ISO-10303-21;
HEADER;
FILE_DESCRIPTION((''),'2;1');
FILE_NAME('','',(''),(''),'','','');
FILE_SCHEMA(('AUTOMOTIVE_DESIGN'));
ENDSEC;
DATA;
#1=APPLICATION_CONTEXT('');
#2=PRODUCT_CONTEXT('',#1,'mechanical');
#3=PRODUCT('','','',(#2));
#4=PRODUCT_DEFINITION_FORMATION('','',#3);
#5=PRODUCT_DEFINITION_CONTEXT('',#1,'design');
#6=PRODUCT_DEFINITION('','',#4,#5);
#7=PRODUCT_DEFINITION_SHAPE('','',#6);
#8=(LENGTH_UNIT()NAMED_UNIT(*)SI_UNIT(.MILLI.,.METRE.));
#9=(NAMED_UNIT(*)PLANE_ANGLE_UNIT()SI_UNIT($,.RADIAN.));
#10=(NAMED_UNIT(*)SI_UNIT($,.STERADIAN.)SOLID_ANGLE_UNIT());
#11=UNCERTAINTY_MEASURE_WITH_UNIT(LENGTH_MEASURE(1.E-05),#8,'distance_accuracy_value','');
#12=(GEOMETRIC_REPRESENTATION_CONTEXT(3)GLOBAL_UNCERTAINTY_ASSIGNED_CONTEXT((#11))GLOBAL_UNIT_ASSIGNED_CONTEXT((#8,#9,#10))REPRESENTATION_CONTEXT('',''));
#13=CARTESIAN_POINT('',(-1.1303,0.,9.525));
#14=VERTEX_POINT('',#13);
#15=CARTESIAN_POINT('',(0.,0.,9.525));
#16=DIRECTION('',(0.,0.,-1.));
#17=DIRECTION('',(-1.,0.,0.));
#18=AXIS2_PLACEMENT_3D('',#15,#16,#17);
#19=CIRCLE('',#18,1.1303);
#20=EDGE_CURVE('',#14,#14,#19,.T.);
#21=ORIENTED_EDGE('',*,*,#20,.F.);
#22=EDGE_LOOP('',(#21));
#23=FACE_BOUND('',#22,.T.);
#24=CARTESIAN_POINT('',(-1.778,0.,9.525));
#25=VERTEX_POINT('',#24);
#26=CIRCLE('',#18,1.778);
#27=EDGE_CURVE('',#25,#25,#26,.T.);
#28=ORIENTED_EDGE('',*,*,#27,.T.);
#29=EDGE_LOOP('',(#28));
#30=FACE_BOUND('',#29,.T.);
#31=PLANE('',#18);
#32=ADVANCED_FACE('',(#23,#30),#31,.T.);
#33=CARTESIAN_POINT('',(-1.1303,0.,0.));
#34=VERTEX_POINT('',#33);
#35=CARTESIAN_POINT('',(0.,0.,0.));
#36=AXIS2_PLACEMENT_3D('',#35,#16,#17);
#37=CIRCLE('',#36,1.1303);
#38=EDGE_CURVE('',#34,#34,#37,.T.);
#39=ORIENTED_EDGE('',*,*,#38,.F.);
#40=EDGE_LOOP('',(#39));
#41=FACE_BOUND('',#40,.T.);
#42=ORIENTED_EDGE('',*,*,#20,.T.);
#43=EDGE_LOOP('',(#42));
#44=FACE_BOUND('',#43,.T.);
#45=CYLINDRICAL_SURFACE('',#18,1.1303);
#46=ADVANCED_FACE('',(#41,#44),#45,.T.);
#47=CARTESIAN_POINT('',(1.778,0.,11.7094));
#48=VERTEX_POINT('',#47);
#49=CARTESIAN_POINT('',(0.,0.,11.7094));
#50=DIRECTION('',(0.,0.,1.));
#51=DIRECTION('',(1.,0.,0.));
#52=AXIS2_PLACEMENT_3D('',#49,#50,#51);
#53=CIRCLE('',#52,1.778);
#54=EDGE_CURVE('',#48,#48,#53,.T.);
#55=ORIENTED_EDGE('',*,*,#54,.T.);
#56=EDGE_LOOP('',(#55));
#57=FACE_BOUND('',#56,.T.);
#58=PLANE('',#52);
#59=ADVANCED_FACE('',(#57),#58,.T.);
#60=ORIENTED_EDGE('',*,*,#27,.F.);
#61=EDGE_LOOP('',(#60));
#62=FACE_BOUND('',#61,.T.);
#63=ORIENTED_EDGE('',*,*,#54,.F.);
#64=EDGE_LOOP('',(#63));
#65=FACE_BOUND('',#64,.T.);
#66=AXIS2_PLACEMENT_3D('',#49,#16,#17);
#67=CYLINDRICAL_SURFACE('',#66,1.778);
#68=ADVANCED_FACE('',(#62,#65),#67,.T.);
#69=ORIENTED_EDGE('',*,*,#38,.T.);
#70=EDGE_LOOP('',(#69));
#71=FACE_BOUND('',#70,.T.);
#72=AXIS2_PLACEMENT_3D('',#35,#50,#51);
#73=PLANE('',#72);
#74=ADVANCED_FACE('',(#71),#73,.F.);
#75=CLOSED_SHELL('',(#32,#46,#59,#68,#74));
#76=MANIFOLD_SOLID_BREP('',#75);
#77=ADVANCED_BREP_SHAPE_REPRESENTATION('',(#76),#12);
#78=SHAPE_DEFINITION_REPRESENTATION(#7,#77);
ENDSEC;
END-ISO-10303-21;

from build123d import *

# Parameters (mm, degrees)
SKETCH1_R         = 1.778
EXTRUDE1_DEPTH    = 11.7094
SKETCH3_OUTSIDE_W = 8.104
SKETCH3_OUTSIDE_H = 8.104
SKETCH3_OUTSIDE_R = 1.1303
EXTRUDE2_DEPTH    = 9.525


with BuildPart() as part:
    # Sketch1 → Extrude1 (new body)
    with BuildSketch(Plane.XY):
        Circle(SKETCH1_R)
    extrude(amount=EXTRUDE1_DEPTH)

    # Sketch3 outside → Extrude2 (cut)
    with BuildSketch(Plane(origin=(0, 0, 0), x_dir=(-1, 0, 0), z_dir=(0, 0, -1))):
        Rectangle(SKETCH3_OUTSIDE_W, SKETCH3_OUTSIDE_H)
        Circle(SKETCH3_OUTSIDE_R, mode=Mode.SUBTRACT)
    extrude(amount=-EXTRUDE2_DEPTH, mode=Mode.SUBTRACT)


solid = part.part
